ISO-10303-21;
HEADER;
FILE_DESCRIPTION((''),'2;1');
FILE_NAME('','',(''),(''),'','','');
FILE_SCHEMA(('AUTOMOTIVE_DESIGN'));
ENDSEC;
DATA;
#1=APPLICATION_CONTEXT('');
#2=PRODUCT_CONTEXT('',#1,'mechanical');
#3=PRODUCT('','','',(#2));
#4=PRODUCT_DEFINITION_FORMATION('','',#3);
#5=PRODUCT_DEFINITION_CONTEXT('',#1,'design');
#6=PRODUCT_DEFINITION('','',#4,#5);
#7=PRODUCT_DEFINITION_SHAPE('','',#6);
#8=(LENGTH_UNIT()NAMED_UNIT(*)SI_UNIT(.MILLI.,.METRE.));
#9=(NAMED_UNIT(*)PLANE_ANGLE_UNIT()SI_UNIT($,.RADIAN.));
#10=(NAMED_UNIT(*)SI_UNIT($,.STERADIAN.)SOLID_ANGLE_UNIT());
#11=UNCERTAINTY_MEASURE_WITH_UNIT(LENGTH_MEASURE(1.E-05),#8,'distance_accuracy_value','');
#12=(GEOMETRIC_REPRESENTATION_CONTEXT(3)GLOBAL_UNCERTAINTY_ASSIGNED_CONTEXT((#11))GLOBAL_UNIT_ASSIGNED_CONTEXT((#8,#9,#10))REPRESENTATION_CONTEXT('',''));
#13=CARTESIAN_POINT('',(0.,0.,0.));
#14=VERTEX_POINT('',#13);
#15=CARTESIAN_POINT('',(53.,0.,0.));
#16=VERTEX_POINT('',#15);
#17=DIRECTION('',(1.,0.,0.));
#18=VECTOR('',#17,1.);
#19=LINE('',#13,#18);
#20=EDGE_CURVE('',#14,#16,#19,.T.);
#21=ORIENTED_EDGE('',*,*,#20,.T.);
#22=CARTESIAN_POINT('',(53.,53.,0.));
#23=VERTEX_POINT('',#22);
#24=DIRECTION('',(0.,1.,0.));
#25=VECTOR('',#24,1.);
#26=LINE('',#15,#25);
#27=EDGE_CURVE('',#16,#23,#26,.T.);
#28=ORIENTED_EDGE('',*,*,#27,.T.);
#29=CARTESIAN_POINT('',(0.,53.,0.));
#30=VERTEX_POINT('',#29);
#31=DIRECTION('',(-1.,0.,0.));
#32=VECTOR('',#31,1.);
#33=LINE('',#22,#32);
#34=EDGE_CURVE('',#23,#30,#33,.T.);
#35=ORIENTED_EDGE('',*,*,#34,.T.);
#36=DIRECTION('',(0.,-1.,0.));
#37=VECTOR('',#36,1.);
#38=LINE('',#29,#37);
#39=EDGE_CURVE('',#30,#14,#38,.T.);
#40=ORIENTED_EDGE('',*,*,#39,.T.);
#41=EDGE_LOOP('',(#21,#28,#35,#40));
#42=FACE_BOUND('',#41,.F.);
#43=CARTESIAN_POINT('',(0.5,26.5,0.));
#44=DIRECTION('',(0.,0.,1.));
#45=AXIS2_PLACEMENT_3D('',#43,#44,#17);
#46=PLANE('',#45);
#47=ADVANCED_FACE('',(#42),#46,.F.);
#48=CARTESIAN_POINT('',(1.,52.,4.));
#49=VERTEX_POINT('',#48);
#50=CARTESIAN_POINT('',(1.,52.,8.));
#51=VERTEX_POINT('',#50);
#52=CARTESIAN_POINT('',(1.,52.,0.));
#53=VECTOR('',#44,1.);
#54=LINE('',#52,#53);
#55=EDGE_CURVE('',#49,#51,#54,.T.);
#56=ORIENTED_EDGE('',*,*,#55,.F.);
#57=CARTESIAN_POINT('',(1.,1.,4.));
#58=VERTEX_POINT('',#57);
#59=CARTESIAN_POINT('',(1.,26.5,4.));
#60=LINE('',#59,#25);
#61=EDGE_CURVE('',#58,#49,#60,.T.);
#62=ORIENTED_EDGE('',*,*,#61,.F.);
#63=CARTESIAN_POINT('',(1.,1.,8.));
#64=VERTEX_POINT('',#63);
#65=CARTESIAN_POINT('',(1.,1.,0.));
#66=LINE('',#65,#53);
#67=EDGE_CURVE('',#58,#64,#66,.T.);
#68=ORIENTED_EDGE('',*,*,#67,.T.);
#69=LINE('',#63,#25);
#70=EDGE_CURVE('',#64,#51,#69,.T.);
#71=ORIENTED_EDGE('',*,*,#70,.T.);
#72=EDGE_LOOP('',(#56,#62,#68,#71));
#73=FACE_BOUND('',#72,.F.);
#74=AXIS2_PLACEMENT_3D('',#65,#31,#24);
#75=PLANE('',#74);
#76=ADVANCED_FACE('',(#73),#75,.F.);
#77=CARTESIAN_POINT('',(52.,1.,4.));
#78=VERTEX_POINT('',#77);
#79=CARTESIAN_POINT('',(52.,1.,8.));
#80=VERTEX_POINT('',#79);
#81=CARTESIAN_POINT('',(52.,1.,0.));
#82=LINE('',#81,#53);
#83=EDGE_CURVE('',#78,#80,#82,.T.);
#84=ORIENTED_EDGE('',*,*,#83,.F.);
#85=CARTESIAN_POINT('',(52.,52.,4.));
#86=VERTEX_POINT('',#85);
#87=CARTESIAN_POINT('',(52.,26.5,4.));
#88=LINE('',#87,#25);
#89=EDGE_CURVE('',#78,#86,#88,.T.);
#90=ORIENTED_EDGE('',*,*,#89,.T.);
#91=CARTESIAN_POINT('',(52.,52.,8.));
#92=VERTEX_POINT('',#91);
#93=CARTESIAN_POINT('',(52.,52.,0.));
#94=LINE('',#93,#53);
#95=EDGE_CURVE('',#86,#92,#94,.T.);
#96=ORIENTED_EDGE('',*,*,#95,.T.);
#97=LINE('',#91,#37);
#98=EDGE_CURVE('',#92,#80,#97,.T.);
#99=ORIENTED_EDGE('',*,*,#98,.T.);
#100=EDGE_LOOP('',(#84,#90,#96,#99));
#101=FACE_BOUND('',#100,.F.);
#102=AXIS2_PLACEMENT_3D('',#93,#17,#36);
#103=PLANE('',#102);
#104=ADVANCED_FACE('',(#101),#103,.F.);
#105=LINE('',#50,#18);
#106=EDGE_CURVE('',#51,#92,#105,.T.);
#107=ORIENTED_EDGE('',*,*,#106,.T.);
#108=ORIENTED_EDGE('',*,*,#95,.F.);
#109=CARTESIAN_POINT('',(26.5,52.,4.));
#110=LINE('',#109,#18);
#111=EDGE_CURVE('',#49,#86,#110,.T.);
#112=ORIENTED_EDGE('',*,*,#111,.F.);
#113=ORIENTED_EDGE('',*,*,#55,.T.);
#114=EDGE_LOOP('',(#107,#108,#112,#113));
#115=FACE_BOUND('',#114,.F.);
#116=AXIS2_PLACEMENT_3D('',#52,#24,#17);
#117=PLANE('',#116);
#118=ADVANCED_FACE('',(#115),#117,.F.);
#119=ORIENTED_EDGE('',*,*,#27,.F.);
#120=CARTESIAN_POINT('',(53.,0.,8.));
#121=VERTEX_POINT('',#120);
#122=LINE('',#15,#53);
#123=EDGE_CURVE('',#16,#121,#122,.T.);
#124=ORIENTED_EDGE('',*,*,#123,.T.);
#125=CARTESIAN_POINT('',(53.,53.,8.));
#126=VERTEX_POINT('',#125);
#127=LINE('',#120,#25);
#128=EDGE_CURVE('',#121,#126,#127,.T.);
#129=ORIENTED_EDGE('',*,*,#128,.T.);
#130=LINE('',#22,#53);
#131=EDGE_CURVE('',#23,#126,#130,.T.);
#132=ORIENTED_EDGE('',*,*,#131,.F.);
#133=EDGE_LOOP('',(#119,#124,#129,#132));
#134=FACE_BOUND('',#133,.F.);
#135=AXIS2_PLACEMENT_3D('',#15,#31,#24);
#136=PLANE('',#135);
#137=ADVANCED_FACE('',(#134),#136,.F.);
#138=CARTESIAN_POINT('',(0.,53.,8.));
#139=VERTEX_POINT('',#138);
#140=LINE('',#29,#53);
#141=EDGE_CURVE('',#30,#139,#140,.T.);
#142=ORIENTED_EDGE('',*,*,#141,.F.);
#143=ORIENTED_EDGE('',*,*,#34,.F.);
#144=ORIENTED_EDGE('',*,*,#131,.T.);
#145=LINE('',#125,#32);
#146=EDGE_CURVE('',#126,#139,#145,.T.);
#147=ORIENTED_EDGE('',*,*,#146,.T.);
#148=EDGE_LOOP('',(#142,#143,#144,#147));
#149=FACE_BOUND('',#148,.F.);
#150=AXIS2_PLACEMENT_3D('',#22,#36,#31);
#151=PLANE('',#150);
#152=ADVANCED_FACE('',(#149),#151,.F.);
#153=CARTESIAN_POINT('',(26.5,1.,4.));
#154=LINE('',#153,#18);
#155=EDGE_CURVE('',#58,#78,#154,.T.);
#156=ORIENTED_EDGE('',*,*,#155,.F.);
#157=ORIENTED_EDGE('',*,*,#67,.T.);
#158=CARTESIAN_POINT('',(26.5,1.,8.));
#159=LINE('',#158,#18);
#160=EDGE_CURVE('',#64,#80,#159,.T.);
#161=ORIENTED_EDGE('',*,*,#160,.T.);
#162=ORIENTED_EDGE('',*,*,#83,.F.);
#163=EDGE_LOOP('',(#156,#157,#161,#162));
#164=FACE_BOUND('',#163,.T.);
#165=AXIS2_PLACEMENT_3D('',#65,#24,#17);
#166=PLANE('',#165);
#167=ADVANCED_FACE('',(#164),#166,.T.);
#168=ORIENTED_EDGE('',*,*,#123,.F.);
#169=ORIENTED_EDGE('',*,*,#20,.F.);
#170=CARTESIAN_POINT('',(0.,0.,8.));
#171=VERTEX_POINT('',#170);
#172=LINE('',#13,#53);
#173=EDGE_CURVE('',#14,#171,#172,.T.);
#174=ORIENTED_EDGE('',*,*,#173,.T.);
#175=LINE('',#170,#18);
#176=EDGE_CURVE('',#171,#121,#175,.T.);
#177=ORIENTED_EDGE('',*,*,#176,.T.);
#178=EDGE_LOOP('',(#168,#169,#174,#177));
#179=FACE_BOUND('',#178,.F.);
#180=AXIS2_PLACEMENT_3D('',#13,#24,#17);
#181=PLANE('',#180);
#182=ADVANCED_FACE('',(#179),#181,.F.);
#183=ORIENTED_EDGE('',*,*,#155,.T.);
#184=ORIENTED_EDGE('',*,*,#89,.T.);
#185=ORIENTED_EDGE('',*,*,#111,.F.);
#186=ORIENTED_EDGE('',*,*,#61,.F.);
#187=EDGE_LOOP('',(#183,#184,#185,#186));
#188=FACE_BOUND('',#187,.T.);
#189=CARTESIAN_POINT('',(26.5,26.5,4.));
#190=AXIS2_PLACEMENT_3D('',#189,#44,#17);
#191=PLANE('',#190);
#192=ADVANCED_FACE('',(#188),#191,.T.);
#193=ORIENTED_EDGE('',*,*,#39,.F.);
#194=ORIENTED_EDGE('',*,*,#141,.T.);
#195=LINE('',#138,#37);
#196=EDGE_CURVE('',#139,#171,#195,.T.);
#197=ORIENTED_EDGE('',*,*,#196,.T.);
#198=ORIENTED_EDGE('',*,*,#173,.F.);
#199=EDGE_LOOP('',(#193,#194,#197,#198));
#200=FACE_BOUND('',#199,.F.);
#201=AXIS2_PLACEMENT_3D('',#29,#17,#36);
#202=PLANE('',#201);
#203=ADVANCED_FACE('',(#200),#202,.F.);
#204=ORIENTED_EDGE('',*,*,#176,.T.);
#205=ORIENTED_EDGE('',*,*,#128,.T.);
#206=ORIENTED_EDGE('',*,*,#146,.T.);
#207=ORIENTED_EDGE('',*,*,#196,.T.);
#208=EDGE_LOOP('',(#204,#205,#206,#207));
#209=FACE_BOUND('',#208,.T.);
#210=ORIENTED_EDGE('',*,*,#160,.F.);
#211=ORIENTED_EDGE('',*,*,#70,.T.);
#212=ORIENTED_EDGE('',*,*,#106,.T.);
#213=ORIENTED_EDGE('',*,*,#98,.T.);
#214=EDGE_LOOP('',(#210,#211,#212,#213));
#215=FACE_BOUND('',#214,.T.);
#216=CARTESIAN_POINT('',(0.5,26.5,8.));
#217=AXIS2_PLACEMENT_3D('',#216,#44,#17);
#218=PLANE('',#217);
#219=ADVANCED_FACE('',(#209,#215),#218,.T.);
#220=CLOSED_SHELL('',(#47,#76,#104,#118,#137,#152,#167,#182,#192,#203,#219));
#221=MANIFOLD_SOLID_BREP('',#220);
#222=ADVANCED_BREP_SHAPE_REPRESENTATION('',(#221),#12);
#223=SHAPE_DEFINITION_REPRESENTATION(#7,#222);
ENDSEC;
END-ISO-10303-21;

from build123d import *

# Parameters (mm, degrees)
F0_W     = 51
F0_H     = 51
F1_DEPTH = 4
F0_W_2   = 1
F0_H_2   = 1
F2_DEPTH = 8


with BuildPart() as f1:
    # F0 (on Top) → F1 (new body)
    with BuildSketch(Plane.XY):
        with Locations((26.5, 26.5)):
            Rectangle(F0_W, F0_H)
    extrude(amount=F1_DEPTH)

    # F0 (on Top) → F2 (join)
    with BuildSketch(Plane.XY):
        with Locations((0.5, 26.5)):
            Rectangle(F0_W_2, F0_H)
        with Locations((0.5, 52.5)):
            Rectangle(F0_W_2, F0_H_2)
        with Locations((26.5, 52.5)):
            Rectangle(F0_W, F0_H_2)
        with Locations((52.5, 52.5)):
            Rectangle(F0_W_2, F0_H_2)
        with Locations((52.5, 26.5)):
            Rectangle(F0_W_2, F0_H)
        with Locations((52.5, 0.5)):
            Rectangle(F0_W_2, F0_H_2)
        with Locations((26.5, 0.5)):
            Rectangle(F0_W, F0_H_2)
        with Locations((0.5, 0.5)):
            Rectangle(F0_W_2, F0_H_2)
    extrude(amount=F2_DEPTH)


solid = f1.part
